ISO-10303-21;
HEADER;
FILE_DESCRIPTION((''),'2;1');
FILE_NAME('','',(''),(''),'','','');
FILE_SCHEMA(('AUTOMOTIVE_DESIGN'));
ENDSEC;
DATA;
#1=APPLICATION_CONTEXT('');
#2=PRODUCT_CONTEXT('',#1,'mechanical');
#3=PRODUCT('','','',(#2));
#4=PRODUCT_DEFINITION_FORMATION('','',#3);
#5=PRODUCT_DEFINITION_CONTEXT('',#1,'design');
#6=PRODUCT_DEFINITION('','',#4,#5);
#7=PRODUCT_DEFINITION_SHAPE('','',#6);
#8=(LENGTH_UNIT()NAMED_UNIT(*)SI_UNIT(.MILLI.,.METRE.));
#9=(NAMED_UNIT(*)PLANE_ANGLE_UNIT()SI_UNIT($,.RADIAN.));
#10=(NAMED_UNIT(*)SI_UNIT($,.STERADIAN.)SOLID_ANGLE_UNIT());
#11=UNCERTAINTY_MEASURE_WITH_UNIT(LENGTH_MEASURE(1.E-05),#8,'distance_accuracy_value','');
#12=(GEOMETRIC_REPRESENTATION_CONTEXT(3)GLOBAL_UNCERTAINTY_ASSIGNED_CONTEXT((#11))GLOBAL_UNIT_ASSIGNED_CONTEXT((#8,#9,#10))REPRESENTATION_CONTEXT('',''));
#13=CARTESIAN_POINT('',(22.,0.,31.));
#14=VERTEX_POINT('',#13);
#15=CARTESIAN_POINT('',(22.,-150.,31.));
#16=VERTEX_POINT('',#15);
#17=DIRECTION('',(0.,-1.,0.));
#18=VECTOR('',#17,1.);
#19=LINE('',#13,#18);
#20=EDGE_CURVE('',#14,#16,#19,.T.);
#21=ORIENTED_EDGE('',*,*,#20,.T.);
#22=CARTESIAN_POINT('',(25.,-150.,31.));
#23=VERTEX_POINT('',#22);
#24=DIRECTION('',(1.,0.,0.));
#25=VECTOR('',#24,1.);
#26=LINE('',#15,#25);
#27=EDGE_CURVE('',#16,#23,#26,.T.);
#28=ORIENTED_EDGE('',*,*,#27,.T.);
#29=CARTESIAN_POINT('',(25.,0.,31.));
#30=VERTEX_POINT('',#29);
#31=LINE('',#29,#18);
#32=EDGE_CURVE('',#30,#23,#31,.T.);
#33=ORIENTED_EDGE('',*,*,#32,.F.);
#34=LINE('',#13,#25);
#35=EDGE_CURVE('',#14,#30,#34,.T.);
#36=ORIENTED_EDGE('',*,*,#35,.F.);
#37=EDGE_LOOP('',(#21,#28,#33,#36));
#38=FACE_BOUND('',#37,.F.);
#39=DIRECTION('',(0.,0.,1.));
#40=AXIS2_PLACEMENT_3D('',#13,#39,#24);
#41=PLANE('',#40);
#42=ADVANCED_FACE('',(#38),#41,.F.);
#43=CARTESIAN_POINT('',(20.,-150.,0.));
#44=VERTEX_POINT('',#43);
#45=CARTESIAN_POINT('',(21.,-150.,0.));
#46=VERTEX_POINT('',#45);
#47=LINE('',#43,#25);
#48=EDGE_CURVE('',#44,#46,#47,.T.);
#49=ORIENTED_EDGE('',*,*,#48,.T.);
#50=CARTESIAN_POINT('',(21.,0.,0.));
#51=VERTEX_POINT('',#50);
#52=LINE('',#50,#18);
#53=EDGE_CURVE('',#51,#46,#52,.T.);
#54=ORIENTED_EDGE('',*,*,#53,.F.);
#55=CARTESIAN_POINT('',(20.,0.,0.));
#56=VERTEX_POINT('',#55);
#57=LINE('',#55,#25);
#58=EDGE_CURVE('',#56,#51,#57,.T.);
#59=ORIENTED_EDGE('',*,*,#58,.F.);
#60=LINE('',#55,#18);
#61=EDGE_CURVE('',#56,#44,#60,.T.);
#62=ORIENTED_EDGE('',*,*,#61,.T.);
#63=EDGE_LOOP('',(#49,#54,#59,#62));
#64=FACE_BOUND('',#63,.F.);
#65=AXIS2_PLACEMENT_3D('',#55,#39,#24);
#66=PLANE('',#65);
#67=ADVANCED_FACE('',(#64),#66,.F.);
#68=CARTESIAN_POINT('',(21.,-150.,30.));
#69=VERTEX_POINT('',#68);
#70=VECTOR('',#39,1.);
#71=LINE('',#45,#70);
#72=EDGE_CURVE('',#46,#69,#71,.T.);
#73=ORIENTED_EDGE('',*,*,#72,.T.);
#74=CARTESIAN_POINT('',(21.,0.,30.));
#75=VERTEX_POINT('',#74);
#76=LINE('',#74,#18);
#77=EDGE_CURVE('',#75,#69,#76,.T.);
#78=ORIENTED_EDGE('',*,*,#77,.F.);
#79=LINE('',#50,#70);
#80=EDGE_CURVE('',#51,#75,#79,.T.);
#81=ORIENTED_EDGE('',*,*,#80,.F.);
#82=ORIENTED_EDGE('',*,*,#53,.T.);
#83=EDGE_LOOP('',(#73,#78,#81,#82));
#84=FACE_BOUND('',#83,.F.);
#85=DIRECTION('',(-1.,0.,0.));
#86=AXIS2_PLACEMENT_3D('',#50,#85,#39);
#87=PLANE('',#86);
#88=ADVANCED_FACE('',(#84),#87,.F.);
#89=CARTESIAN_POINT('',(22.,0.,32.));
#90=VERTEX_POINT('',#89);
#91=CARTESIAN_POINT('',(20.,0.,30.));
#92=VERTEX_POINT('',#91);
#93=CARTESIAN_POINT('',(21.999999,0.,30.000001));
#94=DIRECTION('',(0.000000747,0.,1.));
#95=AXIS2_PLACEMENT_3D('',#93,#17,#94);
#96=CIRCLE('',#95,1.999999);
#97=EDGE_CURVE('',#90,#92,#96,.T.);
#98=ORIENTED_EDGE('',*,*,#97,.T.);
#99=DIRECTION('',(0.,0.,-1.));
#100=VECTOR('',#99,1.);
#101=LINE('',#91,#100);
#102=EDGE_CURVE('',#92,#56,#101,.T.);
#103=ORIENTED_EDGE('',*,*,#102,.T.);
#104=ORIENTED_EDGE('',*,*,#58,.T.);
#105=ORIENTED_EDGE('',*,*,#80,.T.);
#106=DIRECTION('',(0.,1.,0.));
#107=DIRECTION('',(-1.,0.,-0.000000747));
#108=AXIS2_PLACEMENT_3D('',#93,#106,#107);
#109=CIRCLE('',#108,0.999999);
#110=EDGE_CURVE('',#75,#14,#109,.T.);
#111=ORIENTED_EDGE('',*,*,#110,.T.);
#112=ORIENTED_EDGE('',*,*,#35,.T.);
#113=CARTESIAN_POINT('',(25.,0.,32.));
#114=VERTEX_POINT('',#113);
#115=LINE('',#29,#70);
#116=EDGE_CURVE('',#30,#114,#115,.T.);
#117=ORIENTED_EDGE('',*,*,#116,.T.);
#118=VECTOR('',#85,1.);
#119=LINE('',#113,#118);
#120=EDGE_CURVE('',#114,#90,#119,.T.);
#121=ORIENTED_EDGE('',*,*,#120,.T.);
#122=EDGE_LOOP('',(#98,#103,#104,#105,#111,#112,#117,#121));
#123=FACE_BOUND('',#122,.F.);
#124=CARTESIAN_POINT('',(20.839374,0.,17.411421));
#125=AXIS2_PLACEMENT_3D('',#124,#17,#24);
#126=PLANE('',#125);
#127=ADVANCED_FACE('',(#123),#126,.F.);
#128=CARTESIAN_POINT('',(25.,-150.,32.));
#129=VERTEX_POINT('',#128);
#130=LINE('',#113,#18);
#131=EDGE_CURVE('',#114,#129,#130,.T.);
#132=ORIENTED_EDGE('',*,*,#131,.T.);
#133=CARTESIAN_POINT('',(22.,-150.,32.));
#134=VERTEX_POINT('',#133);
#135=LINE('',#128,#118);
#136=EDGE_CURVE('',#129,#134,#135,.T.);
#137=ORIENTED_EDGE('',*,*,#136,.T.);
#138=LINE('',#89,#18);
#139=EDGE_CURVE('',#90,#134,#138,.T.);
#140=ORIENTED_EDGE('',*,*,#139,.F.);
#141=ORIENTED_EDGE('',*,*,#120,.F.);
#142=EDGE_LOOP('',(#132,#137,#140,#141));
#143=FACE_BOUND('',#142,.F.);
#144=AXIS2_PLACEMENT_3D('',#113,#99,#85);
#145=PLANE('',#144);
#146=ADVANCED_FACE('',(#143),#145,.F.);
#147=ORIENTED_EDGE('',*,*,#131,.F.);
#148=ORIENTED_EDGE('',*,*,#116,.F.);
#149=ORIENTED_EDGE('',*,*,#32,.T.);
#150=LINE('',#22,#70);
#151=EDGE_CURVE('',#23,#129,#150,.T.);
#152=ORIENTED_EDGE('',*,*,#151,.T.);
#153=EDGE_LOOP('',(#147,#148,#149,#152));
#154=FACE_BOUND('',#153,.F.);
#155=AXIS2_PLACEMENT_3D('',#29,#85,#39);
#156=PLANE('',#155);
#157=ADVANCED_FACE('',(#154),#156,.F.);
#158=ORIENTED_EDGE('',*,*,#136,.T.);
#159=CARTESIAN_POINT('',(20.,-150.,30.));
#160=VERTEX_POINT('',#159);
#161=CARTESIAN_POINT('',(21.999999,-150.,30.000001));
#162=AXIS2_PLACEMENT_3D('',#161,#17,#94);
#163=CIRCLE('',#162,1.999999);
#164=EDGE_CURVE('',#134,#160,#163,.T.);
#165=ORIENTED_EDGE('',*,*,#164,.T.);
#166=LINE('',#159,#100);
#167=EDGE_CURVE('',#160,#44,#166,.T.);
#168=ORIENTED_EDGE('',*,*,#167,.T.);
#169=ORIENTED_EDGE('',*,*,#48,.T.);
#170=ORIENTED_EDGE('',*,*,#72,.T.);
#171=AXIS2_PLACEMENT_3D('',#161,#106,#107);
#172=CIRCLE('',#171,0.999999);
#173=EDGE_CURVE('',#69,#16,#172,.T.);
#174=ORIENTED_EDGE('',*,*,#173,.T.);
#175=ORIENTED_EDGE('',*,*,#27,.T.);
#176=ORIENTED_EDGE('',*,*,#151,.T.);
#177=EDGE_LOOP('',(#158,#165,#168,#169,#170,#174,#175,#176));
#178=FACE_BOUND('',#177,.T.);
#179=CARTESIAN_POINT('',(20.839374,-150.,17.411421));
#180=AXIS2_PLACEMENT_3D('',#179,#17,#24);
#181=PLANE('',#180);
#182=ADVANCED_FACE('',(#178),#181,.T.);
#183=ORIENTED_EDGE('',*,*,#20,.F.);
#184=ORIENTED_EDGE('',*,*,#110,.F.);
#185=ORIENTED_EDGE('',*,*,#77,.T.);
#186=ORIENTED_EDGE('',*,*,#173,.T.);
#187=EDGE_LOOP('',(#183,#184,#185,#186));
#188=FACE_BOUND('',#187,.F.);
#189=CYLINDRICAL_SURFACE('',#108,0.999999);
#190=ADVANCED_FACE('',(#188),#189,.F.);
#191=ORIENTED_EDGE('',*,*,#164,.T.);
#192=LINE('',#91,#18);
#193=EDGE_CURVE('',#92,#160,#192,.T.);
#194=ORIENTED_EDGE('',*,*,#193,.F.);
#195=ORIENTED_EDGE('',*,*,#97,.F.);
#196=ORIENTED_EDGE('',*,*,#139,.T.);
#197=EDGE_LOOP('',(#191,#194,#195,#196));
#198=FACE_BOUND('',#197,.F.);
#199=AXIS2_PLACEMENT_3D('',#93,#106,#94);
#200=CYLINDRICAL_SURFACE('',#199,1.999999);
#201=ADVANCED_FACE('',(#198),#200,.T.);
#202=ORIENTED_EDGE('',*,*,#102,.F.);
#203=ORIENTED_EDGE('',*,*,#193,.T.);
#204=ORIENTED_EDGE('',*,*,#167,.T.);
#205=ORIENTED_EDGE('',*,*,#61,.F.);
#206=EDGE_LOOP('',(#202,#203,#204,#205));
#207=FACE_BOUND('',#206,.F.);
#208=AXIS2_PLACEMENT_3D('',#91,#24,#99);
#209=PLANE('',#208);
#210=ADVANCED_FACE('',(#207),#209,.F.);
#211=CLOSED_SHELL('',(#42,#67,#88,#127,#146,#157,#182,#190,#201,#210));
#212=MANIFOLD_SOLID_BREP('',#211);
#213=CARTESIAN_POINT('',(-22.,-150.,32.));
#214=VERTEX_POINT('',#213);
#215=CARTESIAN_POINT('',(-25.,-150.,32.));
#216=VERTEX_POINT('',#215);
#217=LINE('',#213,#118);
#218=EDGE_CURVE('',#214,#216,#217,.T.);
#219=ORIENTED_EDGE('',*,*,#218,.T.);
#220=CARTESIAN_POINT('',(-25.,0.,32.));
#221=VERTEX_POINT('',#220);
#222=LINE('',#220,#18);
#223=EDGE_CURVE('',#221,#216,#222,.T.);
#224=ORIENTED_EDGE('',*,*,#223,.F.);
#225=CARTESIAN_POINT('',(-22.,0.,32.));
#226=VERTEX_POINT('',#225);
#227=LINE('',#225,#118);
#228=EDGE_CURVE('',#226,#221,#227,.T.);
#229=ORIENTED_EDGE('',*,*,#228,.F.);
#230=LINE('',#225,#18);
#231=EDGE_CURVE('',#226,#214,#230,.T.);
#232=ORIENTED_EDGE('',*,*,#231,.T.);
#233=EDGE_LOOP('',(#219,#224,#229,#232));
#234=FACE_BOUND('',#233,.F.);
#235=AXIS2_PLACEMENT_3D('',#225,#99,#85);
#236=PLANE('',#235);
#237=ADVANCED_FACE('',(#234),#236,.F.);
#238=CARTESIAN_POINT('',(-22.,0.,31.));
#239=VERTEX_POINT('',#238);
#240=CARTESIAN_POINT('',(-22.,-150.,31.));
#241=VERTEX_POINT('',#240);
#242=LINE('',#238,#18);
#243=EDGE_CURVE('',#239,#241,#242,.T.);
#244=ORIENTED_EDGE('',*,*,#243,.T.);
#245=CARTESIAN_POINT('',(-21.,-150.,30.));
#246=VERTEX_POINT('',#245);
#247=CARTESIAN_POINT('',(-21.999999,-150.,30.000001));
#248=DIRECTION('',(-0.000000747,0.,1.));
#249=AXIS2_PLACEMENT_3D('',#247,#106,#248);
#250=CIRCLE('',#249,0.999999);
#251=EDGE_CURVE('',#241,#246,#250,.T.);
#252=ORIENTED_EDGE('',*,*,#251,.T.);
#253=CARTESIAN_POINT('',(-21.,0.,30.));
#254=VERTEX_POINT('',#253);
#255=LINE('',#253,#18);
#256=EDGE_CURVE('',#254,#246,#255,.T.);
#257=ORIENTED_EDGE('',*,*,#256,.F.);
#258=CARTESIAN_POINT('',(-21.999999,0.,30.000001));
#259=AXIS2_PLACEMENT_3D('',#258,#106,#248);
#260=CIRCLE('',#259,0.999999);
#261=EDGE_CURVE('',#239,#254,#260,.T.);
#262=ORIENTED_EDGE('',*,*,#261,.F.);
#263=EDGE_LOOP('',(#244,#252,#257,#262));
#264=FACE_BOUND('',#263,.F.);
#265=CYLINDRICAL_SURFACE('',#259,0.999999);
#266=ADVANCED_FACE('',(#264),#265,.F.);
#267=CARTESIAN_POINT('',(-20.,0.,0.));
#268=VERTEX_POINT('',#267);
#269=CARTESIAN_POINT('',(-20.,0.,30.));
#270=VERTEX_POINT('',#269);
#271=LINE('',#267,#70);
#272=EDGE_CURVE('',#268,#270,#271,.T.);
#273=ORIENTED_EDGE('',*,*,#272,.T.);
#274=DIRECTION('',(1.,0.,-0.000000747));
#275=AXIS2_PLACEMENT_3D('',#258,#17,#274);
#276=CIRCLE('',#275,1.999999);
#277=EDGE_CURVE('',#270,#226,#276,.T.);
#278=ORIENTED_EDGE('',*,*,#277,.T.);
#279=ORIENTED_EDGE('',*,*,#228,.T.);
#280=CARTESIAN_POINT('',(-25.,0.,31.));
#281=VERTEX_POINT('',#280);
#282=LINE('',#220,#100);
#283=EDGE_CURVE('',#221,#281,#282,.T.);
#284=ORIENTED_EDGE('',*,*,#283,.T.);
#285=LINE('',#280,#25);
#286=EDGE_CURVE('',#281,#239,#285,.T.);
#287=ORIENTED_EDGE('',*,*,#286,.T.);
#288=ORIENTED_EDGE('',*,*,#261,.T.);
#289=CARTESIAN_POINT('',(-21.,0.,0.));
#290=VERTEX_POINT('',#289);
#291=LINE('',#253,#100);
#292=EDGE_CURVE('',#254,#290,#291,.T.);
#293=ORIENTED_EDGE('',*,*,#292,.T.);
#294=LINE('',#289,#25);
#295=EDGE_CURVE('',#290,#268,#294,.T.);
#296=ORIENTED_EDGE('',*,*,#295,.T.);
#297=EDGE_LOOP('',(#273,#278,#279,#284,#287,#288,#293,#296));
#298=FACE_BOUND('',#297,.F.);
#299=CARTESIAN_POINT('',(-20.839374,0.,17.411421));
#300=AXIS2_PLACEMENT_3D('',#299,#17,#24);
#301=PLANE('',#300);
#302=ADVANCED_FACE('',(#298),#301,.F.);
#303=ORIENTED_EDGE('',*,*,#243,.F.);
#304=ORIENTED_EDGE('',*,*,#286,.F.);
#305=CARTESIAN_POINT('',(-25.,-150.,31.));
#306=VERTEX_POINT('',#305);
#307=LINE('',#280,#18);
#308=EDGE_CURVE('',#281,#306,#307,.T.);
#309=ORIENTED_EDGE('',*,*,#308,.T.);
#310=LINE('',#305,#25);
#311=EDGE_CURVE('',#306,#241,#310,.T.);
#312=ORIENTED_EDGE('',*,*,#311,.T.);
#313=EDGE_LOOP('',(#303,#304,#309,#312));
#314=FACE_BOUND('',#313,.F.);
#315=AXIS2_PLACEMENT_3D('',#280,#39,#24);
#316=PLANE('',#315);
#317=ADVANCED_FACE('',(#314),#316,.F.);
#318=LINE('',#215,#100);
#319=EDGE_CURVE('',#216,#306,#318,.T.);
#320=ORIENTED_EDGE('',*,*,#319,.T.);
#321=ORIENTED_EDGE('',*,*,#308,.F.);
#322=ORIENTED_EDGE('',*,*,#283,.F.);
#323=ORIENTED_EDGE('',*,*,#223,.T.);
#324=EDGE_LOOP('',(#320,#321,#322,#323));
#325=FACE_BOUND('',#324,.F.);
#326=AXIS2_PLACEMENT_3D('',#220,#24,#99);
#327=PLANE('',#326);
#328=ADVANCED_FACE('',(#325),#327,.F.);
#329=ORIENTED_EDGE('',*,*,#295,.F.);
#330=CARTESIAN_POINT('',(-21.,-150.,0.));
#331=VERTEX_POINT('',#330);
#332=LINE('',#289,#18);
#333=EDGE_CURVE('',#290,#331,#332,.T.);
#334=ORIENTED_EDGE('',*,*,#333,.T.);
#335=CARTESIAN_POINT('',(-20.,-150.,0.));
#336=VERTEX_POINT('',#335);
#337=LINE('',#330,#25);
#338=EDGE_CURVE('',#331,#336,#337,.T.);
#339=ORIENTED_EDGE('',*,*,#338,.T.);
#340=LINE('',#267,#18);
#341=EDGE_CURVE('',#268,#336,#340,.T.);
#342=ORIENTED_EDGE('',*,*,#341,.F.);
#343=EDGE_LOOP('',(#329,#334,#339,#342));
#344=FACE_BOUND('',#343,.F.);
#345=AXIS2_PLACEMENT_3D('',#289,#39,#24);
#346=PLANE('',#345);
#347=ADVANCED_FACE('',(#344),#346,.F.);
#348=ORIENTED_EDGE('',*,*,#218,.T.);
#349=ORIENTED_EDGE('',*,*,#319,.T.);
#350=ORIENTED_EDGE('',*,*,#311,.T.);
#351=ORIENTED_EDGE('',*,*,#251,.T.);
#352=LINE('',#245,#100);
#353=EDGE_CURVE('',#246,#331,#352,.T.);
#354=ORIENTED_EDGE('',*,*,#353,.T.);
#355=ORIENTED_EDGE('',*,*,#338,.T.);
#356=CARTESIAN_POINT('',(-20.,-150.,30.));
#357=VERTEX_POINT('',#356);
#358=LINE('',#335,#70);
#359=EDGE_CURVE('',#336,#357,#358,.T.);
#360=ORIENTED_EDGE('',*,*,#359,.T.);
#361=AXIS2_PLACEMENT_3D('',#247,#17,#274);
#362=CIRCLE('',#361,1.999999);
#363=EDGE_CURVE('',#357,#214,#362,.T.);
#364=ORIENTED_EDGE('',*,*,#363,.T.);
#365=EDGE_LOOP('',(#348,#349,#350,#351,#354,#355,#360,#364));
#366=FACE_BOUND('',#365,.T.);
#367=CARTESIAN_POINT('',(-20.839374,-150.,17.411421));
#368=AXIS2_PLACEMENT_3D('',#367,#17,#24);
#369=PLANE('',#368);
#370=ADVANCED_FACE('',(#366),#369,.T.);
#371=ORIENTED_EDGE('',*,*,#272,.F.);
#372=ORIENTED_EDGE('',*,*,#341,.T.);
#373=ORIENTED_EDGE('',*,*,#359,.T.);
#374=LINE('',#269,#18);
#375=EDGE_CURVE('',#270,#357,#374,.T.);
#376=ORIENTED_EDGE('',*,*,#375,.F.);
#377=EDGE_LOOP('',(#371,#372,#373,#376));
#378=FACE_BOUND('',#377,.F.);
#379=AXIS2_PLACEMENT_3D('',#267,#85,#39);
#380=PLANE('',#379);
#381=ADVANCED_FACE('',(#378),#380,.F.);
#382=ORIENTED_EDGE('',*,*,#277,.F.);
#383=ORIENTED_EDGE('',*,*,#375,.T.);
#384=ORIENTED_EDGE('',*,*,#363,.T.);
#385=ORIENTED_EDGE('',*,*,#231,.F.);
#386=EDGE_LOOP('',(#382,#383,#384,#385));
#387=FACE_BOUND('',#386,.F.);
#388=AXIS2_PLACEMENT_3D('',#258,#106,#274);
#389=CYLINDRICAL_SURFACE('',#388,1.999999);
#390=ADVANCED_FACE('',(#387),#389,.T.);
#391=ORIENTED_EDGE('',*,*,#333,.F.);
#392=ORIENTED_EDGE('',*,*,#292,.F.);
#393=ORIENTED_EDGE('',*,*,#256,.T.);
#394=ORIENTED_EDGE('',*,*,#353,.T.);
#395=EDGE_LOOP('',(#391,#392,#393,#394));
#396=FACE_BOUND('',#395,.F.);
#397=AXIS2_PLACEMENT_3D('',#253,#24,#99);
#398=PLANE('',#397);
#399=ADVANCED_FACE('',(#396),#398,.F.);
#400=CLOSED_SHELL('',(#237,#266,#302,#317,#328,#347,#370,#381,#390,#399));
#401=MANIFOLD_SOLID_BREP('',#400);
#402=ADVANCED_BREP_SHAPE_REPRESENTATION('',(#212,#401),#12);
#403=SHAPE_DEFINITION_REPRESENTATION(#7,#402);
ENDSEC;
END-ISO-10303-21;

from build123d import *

# Parameters (mm, degrees)
F1_DEPTH = 150


with BuildPart() as f1:
    # F0 (on Front) → F1 (new body)
    with BuildSketch(Plane.XZ):
        with BuildLine():
            ThreePointArc((21, 30), (21.292893, 30.707107), (22, 31))
            Line((22, 31), (25, 31))
            Line((25, 31), (25, 32))
            Line((25, 32), (22, 32))
            ThreePointArc((22, 32), (20.585786, 31.414214), (20, 30))
            Line((20, 30), (20, 0))
            Line((20, 0), (21, 0))
            Line((21, 0), (21, 30))
        make_face()
        with BuildLine():
            Line((-22, 32), (-25, 32))
            Line((-25, 32), (-25, 31))
            Line((-25, 31), (-22, 31))
            ThreePointArc((-22, 31), (-21.292893, 30.707107), (-21, 30))
            Line((-21, 30), (-21, 0))
            Line((-21, 0), (-20, 0))
            Line((-20, 0), (-20, 30))
            ThreePointArc((-20, 30), (-20.585786, 31.414214), (-22, 32))
        make_face()
    extrude(amount=F1_DEPTH)


solid = f1.part
